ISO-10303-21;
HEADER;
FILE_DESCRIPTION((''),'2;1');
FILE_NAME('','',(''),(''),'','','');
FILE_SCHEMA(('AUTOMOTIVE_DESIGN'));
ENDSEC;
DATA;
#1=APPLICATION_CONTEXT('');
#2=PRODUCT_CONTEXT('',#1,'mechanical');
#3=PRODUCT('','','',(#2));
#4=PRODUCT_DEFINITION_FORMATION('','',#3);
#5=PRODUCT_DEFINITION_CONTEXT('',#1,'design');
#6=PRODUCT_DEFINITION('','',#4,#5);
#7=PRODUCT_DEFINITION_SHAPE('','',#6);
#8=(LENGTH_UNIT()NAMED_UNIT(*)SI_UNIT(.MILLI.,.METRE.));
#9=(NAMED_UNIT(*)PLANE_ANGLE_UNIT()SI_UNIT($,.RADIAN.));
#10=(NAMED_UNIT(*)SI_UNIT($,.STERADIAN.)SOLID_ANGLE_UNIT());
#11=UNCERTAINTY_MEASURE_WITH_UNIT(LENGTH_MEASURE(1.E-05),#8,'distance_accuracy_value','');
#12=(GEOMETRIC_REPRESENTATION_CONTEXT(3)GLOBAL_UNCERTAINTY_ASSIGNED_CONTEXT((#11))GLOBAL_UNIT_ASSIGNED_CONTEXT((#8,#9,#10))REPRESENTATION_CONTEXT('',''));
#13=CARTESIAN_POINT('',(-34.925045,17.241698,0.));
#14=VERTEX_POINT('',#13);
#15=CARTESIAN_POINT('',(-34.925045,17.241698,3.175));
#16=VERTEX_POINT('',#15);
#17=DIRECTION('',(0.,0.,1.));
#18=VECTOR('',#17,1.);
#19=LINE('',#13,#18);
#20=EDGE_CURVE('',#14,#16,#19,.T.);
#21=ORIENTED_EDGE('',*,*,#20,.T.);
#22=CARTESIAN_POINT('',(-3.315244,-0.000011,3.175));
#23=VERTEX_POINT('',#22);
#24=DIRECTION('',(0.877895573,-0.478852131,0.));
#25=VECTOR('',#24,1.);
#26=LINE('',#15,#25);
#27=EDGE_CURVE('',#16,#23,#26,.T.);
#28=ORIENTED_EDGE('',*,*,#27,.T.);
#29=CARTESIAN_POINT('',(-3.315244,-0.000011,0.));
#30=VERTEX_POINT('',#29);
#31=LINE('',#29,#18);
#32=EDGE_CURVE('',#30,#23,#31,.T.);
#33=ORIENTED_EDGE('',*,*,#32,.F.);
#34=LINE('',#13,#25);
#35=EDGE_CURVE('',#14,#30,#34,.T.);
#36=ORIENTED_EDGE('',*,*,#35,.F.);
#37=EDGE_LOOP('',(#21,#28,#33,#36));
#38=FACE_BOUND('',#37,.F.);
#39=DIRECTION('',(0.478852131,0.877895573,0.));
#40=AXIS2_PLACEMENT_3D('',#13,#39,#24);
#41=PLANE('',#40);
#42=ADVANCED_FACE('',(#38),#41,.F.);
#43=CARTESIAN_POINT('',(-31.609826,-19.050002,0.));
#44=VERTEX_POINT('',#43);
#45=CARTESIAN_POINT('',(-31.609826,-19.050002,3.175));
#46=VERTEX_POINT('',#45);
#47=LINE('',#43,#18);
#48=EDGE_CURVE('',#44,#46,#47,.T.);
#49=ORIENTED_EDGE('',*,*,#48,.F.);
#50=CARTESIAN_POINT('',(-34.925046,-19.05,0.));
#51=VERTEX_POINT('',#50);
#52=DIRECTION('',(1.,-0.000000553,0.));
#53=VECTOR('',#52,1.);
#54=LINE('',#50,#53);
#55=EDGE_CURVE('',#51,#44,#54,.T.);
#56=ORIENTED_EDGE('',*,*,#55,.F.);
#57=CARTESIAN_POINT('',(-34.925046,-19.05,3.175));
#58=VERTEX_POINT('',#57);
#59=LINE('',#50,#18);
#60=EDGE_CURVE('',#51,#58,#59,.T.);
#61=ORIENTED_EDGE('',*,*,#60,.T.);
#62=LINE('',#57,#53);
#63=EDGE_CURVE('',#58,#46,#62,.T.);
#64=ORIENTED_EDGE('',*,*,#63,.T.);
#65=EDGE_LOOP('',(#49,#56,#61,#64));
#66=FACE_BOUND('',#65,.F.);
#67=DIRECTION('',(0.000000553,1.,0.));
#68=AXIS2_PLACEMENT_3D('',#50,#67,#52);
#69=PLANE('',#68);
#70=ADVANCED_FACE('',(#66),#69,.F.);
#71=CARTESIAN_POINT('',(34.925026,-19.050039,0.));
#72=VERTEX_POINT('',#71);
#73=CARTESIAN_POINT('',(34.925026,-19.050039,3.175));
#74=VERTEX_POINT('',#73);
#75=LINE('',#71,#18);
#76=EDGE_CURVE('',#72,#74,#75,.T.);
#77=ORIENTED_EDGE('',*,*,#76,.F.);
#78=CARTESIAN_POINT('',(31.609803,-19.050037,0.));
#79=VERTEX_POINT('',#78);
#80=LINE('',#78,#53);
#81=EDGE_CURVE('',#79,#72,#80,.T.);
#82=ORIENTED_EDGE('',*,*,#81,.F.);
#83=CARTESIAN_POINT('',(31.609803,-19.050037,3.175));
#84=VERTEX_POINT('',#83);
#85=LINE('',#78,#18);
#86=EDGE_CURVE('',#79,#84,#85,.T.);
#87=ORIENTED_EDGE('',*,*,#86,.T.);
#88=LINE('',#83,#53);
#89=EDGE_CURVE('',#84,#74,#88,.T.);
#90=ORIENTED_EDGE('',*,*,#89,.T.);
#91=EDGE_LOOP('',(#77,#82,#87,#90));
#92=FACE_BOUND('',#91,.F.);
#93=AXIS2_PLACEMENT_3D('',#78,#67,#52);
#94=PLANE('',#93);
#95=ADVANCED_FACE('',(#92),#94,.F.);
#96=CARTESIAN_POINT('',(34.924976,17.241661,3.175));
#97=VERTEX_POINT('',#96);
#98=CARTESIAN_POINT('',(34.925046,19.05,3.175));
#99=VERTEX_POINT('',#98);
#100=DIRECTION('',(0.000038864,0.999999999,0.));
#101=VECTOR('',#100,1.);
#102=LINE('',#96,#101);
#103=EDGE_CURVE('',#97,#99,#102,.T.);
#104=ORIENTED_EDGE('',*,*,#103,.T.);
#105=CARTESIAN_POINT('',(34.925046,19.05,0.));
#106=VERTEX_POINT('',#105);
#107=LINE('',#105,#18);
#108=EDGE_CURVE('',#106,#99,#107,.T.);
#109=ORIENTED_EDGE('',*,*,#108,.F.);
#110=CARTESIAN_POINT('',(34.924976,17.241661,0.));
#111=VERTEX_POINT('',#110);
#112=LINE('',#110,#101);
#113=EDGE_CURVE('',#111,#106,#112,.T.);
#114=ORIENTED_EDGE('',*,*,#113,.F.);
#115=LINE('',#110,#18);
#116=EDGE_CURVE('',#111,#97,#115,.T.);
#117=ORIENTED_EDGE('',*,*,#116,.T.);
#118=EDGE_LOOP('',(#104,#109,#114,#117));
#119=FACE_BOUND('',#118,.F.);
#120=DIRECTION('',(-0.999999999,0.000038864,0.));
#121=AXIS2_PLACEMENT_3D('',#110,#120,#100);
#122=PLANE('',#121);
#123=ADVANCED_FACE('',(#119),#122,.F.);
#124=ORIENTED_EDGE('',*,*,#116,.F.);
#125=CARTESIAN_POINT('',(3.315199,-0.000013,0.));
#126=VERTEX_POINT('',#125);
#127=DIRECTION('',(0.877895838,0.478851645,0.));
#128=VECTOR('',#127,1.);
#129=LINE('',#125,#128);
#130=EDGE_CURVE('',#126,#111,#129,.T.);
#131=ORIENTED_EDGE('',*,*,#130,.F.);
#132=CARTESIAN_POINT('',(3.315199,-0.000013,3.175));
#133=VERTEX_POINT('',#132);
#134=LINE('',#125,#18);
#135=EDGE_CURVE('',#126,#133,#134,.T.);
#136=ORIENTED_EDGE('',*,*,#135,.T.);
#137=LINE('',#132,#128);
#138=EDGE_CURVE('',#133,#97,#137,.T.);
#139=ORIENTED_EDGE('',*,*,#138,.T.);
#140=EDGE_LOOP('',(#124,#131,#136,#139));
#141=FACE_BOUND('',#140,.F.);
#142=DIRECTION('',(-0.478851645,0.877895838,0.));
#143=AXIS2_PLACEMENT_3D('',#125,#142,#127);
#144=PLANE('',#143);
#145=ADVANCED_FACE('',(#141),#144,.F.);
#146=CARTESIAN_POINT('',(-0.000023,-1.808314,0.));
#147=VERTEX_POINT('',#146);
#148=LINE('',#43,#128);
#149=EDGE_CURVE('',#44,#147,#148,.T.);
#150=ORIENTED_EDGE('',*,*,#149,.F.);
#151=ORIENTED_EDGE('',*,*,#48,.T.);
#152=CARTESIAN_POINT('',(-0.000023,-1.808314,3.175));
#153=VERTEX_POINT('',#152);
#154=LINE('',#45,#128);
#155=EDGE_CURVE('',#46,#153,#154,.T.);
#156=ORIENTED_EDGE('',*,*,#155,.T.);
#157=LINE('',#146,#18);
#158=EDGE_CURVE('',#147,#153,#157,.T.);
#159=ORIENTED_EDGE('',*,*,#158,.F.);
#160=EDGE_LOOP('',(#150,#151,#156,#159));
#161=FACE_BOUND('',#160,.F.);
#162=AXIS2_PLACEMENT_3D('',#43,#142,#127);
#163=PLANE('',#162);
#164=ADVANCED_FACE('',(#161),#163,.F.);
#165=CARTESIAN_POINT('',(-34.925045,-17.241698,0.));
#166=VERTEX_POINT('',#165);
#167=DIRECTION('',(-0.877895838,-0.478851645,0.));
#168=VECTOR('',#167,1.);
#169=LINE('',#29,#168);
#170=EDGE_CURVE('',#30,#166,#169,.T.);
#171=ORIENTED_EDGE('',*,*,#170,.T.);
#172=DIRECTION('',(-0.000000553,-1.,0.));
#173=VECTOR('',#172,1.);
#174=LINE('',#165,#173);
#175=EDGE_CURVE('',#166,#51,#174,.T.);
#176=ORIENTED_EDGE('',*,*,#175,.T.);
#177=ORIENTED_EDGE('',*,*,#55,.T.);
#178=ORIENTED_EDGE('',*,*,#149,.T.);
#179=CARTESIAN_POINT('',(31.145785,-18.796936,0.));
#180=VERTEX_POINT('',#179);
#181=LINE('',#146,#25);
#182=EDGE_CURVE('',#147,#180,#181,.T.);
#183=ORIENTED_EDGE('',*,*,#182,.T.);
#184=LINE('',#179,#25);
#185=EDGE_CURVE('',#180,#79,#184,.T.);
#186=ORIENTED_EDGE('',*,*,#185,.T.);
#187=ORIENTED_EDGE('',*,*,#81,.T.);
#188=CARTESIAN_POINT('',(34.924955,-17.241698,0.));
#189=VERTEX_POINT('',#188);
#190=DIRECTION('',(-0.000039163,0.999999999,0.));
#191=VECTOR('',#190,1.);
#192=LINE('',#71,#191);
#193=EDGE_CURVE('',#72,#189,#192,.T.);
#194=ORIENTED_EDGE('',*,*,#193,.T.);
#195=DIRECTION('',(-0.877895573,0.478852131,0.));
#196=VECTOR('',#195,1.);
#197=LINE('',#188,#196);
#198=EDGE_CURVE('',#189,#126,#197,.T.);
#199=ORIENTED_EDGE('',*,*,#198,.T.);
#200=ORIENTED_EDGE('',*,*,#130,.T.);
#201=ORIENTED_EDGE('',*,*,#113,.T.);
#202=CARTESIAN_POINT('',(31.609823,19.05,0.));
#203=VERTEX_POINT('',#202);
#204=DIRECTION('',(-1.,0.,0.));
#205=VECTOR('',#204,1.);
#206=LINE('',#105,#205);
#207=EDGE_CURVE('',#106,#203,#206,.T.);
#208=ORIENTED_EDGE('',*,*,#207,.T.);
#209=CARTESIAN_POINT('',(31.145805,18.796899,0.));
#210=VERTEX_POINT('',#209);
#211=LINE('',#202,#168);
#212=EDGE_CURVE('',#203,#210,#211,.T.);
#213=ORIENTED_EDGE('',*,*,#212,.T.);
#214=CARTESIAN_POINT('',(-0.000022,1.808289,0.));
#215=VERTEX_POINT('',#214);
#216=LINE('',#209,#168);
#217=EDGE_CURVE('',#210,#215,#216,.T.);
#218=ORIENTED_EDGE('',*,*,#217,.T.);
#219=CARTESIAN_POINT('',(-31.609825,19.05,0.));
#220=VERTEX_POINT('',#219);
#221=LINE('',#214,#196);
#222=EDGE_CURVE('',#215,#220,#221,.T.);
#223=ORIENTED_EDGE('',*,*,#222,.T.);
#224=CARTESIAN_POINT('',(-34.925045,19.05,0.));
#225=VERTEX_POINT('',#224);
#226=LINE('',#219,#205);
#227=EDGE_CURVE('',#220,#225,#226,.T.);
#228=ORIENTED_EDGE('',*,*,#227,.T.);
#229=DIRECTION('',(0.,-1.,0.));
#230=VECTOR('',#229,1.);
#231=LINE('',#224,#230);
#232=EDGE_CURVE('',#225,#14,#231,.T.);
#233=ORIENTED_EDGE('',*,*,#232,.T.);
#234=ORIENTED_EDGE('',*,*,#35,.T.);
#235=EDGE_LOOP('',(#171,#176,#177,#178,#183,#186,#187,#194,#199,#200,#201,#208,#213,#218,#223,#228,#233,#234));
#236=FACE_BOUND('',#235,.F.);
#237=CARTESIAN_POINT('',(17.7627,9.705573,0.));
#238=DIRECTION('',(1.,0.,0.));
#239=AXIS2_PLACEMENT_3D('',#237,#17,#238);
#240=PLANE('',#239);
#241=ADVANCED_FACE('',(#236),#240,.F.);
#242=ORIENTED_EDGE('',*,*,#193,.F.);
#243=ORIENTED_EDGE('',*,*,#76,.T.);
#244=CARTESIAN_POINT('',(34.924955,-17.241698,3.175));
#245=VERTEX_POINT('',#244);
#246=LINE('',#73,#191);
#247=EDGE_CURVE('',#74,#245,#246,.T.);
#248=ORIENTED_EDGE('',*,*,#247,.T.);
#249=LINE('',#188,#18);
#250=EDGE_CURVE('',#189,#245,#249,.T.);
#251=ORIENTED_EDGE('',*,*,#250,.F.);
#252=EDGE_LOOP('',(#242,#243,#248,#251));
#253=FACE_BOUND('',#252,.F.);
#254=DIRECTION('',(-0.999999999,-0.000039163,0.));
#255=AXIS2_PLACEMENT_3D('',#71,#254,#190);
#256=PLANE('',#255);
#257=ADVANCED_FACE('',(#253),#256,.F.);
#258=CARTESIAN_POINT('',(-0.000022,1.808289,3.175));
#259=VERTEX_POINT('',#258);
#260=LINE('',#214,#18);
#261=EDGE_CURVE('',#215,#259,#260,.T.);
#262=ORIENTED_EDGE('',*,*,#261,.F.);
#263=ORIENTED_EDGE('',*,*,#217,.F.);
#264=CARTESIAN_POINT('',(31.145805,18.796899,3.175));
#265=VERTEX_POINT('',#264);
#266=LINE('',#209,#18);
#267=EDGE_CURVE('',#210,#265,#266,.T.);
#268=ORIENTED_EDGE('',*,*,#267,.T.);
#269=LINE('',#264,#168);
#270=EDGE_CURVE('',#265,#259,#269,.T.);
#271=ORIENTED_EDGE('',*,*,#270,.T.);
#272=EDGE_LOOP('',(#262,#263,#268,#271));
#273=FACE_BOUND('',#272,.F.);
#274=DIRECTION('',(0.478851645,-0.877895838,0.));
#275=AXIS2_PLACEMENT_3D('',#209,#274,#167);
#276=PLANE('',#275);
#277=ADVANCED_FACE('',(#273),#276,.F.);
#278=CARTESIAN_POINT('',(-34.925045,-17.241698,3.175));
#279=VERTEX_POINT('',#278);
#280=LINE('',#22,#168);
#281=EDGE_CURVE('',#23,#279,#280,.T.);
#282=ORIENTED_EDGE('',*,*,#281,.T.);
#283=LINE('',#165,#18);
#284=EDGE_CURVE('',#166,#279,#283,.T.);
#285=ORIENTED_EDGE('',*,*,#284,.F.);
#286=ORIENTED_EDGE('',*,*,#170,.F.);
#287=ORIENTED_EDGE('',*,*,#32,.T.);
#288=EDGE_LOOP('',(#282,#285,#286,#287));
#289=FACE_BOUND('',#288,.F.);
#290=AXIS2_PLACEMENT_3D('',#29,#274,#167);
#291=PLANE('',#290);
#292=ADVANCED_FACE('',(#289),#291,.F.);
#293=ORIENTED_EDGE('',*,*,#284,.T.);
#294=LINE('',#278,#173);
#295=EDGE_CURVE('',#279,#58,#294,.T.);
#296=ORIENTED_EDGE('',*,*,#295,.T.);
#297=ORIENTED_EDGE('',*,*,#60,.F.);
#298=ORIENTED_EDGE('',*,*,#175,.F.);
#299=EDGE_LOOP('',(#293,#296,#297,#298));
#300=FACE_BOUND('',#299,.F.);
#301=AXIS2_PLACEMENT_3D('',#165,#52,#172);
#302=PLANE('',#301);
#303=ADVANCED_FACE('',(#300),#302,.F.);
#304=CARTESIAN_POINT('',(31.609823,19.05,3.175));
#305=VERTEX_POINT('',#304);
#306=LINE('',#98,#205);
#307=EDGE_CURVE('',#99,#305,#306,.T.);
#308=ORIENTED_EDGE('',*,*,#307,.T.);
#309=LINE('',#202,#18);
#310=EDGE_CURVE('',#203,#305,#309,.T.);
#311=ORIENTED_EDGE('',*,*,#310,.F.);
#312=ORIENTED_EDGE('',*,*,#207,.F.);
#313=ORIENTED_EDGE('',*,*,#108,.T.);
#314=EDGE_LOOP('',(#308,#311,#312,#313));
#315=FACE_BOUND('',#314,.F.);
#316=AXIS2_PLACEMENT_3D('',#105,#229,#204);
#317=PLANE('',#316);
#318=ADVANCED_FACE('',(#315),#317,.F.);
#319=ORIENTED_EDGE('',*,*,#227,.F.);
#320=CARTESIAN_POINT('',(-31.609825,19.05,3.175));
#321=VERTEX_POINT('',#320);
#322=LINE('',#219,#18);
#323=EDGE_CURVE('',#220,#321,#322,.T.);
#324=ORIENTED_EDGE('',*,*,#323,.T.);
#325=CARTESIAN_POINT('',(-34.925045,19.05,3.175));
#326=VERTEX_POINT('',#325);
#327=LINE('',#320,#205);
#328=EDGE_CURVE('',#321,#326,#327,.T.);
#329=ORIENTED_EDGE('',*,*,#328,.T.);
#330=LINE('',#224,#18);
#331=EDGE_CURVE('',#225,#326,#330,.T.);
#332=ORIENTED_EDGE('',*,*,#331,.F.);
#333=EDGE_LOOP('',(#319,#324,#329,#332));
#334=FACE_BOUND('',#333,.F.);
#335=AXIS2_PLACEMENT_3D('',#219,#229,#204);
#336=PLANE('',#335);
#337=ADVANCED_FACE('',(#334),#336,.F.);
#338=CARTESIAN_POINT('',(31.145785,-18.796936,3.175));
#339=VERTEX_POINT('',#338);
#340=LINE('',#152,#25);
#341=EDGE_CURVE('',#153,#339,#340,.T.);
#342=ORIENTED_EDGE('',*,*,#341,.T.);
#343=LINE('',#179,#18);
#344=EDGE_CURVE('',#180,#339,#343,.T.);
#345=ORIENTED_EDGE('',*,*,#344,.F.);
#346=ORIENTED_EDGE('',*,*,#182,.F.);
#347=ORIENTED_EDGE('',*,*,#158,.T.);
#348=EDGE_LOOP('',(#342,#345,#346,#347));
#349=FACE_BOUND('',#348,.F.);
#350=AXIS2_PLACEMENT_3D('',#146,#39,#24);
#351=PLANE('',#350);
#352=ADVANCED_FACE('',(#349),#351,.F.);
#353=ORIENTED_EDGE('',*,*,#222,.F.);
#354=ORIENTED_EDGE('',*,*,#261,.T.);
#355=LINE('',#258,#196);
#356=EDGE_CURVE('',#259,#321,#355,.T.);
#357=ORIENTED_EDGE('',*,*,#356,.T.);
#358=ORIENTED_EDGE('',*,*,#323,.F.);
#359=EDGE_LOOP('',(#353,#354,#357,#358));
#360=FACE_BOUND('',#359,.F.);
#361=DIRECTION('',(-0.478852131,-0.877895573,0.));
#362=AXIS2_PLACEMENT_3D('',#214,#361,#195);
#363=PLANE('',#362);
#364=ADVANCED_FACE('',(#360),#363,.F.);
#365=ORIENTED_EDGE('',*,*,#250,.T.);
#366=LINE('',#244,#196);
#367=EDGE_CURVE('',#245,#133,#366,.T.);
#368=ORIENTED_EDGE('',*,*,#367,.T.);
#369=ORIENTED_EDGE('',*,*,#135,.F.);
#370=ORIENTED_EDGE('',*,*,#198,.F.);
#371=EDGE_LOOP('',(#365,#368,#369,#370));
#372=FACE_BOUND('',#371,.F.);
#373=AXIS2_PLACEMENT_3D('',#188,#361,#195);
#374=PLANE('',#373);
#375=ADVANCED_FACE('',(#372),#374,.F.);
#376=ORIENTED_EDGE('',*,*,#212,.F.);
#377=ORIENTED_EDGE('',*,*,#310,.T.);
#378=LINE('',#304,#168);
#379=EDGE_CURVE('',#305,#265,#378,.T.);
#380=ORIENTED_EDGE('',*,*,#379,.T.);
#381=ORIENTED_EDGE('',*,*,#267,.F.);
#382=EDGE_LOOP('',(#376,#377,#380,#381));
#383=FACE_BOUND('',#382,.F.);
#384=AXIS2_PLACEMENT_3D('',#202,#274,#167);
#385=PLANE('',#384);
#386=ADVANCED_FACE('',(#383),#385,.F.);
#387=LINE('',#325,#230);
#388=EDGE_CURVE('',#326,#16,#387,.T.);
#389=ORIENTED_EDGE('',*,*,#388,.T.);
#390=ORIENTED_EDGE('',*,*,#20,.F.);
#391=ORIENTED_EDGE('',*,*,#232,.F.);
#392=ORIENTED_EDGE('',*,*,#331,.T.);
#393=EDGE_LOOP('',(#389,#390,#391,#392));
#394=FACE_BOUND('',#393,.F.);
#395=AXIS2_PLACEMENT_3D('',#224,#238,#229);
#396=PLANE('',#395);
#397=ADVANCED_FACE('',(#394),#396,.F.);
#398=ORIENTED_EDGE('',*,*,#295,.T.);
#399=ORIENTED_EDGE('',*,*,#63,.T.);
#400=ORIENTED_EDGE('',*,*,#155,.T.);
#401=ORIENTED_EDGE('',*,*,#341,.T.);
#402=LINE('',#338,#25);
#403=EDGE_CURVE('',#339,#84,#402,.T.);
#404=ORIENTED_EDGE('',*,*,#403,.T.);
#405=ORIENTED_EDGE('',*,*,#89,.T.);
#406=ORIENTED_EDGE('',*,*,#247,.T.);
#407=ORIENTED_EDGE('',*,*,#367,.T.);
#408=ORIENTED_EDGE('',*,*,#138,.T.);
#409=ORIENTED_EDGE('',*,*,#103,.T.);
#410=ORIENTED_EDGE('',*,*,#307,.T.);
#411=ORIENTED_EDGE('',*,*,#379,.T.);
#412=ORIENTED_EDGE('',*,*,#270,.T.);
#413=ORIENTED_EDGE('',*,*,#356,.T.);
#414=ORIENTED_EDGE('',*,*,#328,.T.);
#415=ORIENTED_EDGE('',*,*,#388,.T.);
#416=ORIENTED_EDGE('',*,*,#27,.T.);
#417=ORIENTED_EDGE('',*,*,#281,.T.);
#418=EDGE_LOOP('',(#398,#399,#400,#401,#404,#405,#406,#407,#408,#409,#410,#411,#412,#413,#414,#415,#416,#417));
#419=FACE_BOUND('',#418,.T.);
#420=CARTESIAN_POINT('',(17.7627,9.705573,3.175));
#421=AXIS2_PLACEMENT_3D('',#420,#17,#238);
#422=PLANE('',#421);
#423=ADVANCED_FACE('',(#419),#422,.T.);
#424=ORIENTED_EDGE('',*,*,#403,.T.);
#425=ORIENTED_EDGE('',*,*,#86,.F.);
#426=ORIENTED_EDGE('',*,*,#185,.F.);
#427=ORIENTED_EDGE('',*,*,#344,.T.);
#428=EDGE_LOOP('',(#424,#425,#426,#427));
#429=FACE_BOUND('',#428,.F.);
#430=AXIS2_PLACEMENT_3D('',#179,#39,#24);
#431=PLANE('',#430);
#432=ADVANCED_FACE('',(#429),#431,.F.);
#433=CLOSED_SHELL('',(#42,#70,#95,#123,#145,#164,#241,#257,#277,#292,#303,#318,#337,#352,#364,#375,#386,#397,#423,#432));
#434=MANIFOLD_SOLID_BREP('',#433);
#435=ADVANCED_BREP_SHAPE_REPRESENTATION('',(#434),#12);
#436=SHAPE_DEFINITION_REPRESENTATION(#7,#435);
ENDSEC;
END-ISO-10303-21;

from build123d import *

# Parameters (mm, degrees)
F1_DEPTH = 3.175


with BuildPart() as f1:
    # F0 (on Top) → F1 (new body)
    with BuildSketch(Plane.XY):
        Polygon((-2.19725e-05, 1.8082891047), (3.3151988725, -1.31744e-05), (34.9249756667, 17.2416605767), (34.9250459451, 19.05), (31.6098229194, 19.05), (31.1458046464, 18.7968994568), align=None)
        Polygon((-34.9250459451, -19.05), (-31.6098262806, -19.0500018334), (-2.29725e-05, -1.8083136201), (-3.3152438176, -1.1341e-05), (-34.925044945, -17.2416983649), align=None)
        Polygon((-34.9250449451, 17.2416983649), (-3.3152438176, -1.1341e-05), (-2.19725e-05, 1.8082891047), (-31.6098252806, 19.05), (-34.9250449451, 19.05), align=None)
        Polygon((3.3151988725, -1.31744e-05), (-2.29725e-05, -1.8083136201), (31.145784716, -18.7969359957), (31.609802849, -19.0500367955), (34.9250258747, -19.0500386289), (34.9249550549, -17.2416983648), align=None)
        Polygon((-3.3152438176, -1.1341e-05), (-2.29725e-05, -1.8083136201), (3.3151988725, -1.31744e-05), (-2.19725e-05, 1.8082891047), align=None)
    extrude(amount=F1_DEPTH)


solid = f1.part
